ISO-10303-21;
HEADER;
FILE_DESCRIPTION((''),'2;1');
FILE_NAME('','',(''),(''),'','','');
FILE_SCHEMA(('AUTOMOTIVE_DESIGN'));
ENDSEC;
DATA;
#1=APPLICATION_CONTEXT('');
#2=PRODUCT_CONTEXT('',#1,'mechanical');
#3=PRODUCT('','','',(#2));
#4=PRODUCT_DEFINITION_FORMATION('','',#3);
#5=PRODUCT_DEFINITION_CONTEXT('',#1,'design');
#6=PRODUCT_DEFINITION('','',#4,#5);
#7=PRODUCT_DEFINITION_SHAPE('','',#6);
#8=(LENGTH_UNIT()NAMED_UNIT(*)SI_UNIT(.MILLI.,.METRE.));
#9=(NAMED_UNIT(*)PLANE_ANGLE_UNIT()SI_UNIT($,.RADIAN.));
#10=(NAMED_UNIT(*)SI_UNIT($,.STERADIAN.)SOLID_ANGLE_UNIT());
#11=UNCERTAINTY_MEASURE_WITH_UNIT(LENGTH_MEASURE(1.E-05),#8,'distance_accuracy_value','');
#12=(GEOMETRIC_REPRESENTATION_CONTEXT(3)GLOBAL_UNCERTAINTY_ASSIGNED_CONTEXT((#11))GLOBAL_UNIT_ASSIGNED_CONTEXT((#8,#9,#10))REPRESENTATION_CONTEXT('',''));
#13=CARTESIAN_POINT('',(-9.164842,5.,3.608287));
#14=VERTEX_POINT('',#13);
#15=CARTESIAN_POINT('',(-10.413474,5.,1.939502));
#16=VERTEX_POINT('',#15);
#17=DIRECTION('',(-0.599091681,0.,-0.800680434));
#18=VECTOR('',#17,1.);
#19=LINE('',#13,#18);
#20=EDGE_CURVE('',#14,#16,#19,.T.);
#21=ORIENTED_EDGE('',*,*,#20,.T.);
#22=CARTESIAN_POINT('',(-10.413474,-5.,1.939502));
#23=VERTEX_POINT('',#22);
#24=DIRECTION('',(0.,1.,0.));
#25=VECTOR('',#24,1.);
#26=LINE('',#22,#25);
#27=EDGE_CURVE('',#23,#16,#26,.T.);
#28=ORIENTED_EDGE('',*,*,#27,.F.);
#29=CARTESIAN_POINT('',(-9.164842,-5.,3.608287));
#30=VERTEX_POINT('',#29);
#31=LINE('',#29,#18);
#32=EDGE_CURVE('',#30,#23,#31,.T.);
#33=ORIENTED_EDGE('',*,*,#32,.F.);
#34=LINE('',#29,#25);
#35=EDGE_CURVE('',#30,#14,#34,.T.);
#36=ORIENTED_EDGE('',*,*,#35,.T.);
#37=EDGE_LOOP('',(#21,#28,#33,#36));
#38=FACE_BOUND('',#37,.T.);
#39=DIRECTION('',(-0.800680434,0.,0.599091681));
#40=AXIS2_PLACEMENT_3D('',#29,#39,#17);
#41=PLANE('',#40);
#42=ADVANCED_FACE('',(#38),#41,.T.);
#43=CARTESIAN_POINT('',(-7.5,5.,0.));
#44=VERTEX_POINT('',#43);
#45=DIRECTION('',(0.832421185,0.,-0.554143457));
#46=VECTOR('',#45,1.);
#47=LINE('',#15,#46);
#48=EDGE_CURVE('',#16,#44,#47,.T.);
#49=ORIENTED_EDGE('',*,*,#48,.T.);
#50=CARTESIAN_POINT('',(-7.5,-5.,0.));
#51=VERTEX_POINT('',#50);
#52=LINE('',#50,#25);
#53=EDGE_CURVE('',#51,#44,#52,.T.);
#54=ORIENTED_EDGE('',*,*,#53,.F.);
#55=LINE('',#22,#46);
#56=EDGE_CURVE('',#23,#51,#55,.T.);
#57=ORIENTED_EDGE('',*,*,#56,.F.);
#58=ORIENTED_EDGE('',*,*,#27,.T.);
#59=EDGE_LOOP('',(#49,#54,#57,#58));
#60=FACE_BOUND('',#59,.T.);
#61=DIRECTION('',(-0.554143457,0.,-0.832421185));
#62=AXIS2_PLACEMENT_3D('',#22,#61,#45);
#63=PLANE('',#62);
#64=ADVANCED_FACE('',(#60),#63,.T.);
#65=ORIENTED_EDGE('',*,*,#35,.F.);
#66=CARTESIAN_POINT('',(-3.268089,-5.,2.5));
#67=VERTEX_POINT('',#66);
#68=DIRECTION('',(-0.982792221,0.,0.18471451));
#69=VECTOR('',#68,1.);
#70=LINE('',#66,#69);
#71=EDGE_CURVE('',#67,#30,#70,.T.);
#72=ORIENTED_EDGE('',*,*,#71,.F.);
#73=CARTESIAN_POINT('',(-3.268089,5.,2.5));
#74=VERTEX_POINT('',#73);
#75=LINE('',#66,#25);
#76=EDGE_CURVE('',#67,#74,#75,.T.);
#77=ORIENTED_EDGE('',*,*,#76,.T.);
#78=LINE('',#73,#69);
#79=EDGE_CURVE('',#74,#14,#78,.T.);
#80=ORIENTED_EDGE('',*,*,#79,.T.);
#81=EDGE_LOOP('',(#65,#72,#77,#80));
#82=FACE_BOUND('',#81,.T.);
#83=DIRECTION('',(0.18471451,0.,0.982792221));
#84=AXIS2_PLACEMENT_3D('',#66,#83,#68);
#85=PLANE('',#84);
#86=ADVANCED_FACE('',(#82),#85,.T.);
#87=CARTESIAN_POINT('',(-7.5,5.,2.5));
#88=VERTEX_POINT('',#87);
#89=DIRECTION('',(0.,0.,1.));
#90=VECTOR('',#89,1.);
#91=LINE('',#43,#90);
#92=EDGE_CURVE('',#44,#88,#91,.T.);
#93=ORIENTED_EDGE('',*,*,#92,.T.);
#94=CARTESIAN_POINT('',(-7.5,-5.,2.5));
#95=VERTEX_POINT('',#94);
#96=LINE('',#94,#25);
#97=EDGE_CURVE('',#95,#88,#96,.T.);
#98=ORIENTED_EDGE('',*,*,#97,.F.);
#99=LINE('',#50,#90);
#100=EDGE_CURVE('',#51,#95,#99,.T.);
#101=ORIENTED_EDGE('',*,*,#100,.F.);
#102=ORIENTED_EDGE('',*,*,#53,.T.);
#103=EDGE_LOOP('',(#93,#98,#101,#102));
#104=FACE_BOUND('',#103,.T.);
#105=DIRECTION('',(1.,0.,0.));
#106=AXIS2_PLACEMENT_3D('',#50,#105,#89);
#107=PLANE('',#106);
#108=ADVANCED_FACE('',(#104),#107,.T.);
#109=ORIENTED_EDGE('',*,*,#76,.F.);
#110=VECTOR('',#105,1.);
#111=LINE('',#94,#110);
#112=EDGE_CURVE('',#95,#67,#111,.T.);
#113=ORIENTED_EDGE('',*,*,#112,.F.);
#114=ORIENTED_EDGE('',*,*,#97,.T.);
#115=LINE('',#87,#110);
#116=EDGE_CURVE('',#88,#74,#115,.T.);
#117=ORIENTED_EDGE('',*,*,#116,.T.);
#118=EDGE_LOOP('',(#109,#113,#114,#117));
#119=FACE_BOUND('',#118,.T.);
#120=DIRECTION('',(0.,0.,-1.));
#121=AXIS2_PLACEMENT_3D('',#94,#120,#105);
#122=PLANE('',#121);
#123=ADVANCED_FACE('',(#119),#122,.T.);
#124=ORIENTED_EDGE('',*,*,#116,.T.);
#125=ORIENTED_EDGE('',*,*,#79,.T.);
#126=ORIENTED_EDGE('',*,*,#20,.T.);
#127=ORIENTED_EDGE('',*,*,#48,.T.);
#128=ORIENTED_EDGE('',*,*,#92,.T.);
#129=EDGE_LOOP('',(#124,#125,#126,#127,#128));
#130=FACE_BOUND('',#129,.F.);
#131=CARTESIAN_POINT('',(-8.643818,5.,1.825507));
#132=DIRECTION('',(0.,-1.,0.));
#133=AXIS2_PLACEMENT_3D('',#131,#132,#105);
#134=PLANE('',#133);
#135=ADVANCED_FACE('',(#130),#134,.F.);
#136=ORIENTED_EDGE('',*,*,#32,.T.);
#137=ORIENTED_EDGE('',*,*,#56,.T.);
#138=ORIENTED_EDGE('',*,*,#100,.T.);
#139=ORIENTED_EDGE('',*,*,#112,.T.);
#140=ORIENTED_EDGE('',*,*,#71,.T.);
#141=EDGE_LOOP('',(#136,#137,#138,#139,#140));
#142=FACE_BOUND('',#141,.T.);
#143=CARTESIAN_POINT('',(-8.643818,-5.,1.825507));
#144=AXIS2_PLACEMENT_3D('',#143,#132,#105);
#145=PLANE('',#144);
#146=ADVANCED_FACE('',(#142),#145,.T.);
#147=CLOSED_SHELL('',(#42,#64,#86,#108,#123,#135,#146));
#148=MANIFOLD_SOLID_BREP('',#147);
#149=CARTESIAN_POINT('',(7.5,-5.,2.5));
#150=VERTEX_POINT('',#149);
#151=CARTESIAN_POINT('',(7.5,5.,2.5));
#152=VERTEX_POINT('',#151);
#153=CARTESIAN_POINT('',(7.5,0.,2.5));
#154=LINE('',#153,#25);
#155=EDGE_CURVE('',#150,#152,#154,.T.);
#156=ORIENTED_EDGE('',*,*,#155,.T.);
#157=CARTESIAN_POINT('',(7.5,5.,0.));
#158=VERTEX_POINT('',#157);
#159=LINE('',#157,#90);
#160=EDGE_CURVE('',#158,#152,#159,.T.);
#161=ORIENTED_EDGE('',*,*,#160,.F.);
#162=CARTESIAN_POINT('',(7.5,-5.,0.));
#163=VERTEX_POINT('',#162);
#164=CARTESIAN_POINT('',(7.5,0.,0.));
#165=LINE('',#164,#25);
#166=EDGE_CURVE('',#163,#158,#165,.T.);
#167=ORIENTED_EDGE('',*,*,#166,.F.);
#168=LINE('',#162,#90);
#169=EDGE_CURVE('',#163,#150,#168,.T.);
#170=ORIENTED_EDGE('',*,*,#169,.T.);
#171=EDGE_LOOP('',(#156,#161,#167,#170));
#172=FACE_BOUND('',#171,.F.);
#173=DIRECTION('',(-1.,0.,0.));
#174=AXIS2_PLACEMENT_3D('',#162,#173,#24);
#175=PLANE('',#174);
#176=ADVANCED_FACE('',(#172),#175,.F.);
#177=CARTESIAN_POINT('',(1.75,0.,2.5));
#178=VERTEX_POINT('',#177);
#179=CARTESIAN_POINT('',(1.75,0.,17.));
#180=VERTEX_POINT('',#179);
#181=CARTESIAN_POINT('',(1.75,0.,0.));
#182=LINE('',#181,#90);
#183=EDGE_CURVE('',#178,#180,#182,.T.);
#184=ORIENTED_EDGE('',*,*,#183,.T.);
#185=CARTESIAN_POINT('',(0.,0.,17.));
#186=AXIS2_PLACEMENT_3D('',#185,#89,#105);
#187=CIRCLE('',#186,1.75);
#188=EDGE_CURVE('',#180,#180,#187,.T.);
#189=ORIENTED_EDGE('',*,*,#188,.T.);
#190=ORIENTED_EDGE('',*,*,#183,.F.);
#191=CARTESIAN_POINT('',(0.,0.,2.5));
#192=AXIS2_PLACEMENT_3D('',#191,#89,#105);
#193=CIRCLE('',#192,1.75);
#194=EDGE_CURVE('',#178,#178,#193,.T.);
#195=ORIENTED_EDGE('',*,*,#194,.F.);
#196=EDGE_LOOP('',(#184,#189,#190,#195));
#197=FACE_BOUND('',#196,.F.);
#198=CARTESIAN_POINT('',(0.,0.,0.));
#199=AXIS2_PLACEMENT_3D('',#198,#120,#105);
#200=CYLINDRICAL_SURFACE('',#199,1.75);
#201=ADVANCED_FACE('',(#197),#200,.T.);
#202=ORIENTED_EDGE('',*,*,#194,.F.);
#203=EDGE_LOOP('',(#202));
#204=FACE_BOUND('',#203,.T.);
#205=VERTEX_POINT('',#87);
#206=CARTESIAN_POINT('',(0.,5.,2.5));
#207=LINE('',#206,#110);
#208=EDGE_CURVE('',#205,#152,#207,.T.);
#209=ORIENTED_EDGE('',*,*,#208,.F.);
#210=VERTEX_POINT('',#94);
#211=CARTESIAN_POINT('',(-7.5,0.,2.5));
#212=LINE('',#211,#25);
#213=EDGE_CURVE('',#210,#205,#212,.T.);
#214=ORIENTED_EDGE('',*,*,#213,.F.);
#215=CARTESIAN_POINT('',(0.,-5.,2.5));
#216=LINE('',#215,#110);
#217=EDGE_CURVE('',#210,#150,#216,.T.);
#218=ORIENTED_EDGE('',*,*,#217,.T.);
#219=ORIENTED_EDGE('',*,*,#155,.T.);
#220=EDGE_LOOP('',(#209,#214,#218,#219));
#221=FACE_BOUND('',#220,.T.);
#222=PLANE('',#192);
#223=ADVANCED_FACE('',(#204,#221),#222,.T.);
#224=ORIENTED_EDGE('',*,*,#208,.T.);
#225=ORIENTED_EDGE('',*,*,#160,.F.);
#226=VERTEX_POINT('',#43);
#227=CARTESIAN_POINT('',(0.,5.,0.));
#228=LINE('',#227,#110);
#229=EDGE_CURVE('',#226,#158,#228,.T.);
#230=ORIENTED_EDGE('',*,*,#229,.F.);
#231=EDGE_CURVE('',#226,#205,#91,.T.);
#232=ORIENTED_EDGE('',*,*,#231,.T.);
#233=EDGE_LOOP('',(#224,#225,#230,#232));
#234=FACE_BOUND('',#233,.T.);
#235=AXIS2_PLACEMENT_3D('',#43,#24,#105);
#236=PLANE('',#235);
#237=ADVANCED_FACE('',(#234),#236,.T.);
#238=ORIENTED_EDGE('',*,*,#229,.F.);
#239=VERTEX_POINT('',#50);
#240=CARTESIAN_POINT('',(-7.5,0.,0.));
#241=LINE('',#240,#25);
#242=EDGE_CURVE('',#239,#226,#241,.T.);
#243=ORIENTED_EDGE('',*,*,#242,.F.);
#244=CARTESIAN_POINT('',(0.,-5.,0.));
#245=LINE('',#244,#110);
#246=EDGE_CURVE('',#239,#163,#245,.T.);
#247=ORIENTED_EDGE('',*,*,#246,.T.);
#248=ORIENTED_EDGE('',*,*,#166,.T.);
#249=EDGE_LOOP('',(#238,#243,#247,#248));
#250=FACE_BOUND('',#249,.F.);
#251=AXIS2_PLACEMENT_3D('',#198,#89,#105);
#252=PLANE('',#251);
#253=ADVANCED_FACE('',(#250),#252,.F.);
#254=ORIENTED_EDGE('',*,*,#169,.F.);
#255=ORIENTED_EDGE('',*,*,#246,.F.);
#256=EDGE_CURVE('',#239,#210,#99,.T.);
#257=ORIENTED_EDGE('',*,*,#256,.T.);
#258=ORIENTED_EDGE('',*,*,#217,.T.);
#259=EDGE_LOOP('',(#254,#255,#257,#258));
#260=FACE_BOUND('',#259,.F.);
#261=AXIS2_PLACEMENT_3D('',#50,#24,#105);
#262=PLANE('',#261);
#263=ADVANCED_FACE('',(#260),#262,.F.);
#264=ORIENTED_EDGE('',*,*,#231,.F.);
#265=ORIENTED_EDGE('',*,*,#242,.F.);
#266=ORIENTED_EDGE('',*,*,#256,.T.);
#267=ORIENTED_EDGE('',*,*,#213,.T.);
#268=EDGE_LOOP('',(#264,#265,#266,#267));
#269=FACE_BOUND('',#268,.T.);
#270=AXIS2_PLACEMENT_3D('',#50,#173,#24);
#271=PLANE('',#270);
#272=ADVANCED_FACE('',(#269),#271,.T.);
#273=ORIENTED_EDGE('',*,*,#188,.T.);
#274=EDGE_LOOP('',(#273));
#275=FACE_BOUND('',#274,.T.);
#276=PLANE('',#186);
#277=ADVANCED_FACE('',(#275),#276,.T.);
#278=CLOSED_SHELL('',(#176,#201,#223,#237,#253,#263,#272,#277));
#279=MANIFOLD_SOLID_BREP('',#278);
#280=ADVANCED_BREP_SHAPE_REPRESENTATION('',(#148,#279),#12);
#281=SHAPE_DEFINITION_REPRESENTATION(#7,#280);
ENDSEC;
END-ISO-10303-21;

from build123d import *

# Parameters (mm, degrees)
F0_R     = 1.75
F1_DEPTH = 17
F0_W     = 15
F0_H     = 10
F2_DEPTH = 2.5
F4_DEPTH = 10


with BuildPart() as f1:
    # F0 (on Top) → F1 (new body)
    with BuildSketch(Plane.XY):
        Circle(F0_R)
    extrude(amount=F1_DEPTH)

    # F0 (on Top) → F2 (join)
    with BuildSketch(Plane.XY):
        Rectangle(F0_W, F0_H)
        Circle(F0_R, mode=Mode.SUBTRACT)
    extrude(amount=F2_DEPTH)


with BuildPart() as f4:
    # F3 (on face) → F4 (new body)
    with BuildSketch(Plane.XZ.offset(5)):
        Polygon((-10.413474, 1.939502), (-7.5, 0), (-7.5, 2.5), (-9.164842, 3.608287), align=None)
        Polygon((-9.164842, 3.608287), (-7.5, 2.5), (-3.268089, 2.5), align=None)
    extrude(amount=-F4_DEPTH)


solid = Compound([f1.part, f4.part])
